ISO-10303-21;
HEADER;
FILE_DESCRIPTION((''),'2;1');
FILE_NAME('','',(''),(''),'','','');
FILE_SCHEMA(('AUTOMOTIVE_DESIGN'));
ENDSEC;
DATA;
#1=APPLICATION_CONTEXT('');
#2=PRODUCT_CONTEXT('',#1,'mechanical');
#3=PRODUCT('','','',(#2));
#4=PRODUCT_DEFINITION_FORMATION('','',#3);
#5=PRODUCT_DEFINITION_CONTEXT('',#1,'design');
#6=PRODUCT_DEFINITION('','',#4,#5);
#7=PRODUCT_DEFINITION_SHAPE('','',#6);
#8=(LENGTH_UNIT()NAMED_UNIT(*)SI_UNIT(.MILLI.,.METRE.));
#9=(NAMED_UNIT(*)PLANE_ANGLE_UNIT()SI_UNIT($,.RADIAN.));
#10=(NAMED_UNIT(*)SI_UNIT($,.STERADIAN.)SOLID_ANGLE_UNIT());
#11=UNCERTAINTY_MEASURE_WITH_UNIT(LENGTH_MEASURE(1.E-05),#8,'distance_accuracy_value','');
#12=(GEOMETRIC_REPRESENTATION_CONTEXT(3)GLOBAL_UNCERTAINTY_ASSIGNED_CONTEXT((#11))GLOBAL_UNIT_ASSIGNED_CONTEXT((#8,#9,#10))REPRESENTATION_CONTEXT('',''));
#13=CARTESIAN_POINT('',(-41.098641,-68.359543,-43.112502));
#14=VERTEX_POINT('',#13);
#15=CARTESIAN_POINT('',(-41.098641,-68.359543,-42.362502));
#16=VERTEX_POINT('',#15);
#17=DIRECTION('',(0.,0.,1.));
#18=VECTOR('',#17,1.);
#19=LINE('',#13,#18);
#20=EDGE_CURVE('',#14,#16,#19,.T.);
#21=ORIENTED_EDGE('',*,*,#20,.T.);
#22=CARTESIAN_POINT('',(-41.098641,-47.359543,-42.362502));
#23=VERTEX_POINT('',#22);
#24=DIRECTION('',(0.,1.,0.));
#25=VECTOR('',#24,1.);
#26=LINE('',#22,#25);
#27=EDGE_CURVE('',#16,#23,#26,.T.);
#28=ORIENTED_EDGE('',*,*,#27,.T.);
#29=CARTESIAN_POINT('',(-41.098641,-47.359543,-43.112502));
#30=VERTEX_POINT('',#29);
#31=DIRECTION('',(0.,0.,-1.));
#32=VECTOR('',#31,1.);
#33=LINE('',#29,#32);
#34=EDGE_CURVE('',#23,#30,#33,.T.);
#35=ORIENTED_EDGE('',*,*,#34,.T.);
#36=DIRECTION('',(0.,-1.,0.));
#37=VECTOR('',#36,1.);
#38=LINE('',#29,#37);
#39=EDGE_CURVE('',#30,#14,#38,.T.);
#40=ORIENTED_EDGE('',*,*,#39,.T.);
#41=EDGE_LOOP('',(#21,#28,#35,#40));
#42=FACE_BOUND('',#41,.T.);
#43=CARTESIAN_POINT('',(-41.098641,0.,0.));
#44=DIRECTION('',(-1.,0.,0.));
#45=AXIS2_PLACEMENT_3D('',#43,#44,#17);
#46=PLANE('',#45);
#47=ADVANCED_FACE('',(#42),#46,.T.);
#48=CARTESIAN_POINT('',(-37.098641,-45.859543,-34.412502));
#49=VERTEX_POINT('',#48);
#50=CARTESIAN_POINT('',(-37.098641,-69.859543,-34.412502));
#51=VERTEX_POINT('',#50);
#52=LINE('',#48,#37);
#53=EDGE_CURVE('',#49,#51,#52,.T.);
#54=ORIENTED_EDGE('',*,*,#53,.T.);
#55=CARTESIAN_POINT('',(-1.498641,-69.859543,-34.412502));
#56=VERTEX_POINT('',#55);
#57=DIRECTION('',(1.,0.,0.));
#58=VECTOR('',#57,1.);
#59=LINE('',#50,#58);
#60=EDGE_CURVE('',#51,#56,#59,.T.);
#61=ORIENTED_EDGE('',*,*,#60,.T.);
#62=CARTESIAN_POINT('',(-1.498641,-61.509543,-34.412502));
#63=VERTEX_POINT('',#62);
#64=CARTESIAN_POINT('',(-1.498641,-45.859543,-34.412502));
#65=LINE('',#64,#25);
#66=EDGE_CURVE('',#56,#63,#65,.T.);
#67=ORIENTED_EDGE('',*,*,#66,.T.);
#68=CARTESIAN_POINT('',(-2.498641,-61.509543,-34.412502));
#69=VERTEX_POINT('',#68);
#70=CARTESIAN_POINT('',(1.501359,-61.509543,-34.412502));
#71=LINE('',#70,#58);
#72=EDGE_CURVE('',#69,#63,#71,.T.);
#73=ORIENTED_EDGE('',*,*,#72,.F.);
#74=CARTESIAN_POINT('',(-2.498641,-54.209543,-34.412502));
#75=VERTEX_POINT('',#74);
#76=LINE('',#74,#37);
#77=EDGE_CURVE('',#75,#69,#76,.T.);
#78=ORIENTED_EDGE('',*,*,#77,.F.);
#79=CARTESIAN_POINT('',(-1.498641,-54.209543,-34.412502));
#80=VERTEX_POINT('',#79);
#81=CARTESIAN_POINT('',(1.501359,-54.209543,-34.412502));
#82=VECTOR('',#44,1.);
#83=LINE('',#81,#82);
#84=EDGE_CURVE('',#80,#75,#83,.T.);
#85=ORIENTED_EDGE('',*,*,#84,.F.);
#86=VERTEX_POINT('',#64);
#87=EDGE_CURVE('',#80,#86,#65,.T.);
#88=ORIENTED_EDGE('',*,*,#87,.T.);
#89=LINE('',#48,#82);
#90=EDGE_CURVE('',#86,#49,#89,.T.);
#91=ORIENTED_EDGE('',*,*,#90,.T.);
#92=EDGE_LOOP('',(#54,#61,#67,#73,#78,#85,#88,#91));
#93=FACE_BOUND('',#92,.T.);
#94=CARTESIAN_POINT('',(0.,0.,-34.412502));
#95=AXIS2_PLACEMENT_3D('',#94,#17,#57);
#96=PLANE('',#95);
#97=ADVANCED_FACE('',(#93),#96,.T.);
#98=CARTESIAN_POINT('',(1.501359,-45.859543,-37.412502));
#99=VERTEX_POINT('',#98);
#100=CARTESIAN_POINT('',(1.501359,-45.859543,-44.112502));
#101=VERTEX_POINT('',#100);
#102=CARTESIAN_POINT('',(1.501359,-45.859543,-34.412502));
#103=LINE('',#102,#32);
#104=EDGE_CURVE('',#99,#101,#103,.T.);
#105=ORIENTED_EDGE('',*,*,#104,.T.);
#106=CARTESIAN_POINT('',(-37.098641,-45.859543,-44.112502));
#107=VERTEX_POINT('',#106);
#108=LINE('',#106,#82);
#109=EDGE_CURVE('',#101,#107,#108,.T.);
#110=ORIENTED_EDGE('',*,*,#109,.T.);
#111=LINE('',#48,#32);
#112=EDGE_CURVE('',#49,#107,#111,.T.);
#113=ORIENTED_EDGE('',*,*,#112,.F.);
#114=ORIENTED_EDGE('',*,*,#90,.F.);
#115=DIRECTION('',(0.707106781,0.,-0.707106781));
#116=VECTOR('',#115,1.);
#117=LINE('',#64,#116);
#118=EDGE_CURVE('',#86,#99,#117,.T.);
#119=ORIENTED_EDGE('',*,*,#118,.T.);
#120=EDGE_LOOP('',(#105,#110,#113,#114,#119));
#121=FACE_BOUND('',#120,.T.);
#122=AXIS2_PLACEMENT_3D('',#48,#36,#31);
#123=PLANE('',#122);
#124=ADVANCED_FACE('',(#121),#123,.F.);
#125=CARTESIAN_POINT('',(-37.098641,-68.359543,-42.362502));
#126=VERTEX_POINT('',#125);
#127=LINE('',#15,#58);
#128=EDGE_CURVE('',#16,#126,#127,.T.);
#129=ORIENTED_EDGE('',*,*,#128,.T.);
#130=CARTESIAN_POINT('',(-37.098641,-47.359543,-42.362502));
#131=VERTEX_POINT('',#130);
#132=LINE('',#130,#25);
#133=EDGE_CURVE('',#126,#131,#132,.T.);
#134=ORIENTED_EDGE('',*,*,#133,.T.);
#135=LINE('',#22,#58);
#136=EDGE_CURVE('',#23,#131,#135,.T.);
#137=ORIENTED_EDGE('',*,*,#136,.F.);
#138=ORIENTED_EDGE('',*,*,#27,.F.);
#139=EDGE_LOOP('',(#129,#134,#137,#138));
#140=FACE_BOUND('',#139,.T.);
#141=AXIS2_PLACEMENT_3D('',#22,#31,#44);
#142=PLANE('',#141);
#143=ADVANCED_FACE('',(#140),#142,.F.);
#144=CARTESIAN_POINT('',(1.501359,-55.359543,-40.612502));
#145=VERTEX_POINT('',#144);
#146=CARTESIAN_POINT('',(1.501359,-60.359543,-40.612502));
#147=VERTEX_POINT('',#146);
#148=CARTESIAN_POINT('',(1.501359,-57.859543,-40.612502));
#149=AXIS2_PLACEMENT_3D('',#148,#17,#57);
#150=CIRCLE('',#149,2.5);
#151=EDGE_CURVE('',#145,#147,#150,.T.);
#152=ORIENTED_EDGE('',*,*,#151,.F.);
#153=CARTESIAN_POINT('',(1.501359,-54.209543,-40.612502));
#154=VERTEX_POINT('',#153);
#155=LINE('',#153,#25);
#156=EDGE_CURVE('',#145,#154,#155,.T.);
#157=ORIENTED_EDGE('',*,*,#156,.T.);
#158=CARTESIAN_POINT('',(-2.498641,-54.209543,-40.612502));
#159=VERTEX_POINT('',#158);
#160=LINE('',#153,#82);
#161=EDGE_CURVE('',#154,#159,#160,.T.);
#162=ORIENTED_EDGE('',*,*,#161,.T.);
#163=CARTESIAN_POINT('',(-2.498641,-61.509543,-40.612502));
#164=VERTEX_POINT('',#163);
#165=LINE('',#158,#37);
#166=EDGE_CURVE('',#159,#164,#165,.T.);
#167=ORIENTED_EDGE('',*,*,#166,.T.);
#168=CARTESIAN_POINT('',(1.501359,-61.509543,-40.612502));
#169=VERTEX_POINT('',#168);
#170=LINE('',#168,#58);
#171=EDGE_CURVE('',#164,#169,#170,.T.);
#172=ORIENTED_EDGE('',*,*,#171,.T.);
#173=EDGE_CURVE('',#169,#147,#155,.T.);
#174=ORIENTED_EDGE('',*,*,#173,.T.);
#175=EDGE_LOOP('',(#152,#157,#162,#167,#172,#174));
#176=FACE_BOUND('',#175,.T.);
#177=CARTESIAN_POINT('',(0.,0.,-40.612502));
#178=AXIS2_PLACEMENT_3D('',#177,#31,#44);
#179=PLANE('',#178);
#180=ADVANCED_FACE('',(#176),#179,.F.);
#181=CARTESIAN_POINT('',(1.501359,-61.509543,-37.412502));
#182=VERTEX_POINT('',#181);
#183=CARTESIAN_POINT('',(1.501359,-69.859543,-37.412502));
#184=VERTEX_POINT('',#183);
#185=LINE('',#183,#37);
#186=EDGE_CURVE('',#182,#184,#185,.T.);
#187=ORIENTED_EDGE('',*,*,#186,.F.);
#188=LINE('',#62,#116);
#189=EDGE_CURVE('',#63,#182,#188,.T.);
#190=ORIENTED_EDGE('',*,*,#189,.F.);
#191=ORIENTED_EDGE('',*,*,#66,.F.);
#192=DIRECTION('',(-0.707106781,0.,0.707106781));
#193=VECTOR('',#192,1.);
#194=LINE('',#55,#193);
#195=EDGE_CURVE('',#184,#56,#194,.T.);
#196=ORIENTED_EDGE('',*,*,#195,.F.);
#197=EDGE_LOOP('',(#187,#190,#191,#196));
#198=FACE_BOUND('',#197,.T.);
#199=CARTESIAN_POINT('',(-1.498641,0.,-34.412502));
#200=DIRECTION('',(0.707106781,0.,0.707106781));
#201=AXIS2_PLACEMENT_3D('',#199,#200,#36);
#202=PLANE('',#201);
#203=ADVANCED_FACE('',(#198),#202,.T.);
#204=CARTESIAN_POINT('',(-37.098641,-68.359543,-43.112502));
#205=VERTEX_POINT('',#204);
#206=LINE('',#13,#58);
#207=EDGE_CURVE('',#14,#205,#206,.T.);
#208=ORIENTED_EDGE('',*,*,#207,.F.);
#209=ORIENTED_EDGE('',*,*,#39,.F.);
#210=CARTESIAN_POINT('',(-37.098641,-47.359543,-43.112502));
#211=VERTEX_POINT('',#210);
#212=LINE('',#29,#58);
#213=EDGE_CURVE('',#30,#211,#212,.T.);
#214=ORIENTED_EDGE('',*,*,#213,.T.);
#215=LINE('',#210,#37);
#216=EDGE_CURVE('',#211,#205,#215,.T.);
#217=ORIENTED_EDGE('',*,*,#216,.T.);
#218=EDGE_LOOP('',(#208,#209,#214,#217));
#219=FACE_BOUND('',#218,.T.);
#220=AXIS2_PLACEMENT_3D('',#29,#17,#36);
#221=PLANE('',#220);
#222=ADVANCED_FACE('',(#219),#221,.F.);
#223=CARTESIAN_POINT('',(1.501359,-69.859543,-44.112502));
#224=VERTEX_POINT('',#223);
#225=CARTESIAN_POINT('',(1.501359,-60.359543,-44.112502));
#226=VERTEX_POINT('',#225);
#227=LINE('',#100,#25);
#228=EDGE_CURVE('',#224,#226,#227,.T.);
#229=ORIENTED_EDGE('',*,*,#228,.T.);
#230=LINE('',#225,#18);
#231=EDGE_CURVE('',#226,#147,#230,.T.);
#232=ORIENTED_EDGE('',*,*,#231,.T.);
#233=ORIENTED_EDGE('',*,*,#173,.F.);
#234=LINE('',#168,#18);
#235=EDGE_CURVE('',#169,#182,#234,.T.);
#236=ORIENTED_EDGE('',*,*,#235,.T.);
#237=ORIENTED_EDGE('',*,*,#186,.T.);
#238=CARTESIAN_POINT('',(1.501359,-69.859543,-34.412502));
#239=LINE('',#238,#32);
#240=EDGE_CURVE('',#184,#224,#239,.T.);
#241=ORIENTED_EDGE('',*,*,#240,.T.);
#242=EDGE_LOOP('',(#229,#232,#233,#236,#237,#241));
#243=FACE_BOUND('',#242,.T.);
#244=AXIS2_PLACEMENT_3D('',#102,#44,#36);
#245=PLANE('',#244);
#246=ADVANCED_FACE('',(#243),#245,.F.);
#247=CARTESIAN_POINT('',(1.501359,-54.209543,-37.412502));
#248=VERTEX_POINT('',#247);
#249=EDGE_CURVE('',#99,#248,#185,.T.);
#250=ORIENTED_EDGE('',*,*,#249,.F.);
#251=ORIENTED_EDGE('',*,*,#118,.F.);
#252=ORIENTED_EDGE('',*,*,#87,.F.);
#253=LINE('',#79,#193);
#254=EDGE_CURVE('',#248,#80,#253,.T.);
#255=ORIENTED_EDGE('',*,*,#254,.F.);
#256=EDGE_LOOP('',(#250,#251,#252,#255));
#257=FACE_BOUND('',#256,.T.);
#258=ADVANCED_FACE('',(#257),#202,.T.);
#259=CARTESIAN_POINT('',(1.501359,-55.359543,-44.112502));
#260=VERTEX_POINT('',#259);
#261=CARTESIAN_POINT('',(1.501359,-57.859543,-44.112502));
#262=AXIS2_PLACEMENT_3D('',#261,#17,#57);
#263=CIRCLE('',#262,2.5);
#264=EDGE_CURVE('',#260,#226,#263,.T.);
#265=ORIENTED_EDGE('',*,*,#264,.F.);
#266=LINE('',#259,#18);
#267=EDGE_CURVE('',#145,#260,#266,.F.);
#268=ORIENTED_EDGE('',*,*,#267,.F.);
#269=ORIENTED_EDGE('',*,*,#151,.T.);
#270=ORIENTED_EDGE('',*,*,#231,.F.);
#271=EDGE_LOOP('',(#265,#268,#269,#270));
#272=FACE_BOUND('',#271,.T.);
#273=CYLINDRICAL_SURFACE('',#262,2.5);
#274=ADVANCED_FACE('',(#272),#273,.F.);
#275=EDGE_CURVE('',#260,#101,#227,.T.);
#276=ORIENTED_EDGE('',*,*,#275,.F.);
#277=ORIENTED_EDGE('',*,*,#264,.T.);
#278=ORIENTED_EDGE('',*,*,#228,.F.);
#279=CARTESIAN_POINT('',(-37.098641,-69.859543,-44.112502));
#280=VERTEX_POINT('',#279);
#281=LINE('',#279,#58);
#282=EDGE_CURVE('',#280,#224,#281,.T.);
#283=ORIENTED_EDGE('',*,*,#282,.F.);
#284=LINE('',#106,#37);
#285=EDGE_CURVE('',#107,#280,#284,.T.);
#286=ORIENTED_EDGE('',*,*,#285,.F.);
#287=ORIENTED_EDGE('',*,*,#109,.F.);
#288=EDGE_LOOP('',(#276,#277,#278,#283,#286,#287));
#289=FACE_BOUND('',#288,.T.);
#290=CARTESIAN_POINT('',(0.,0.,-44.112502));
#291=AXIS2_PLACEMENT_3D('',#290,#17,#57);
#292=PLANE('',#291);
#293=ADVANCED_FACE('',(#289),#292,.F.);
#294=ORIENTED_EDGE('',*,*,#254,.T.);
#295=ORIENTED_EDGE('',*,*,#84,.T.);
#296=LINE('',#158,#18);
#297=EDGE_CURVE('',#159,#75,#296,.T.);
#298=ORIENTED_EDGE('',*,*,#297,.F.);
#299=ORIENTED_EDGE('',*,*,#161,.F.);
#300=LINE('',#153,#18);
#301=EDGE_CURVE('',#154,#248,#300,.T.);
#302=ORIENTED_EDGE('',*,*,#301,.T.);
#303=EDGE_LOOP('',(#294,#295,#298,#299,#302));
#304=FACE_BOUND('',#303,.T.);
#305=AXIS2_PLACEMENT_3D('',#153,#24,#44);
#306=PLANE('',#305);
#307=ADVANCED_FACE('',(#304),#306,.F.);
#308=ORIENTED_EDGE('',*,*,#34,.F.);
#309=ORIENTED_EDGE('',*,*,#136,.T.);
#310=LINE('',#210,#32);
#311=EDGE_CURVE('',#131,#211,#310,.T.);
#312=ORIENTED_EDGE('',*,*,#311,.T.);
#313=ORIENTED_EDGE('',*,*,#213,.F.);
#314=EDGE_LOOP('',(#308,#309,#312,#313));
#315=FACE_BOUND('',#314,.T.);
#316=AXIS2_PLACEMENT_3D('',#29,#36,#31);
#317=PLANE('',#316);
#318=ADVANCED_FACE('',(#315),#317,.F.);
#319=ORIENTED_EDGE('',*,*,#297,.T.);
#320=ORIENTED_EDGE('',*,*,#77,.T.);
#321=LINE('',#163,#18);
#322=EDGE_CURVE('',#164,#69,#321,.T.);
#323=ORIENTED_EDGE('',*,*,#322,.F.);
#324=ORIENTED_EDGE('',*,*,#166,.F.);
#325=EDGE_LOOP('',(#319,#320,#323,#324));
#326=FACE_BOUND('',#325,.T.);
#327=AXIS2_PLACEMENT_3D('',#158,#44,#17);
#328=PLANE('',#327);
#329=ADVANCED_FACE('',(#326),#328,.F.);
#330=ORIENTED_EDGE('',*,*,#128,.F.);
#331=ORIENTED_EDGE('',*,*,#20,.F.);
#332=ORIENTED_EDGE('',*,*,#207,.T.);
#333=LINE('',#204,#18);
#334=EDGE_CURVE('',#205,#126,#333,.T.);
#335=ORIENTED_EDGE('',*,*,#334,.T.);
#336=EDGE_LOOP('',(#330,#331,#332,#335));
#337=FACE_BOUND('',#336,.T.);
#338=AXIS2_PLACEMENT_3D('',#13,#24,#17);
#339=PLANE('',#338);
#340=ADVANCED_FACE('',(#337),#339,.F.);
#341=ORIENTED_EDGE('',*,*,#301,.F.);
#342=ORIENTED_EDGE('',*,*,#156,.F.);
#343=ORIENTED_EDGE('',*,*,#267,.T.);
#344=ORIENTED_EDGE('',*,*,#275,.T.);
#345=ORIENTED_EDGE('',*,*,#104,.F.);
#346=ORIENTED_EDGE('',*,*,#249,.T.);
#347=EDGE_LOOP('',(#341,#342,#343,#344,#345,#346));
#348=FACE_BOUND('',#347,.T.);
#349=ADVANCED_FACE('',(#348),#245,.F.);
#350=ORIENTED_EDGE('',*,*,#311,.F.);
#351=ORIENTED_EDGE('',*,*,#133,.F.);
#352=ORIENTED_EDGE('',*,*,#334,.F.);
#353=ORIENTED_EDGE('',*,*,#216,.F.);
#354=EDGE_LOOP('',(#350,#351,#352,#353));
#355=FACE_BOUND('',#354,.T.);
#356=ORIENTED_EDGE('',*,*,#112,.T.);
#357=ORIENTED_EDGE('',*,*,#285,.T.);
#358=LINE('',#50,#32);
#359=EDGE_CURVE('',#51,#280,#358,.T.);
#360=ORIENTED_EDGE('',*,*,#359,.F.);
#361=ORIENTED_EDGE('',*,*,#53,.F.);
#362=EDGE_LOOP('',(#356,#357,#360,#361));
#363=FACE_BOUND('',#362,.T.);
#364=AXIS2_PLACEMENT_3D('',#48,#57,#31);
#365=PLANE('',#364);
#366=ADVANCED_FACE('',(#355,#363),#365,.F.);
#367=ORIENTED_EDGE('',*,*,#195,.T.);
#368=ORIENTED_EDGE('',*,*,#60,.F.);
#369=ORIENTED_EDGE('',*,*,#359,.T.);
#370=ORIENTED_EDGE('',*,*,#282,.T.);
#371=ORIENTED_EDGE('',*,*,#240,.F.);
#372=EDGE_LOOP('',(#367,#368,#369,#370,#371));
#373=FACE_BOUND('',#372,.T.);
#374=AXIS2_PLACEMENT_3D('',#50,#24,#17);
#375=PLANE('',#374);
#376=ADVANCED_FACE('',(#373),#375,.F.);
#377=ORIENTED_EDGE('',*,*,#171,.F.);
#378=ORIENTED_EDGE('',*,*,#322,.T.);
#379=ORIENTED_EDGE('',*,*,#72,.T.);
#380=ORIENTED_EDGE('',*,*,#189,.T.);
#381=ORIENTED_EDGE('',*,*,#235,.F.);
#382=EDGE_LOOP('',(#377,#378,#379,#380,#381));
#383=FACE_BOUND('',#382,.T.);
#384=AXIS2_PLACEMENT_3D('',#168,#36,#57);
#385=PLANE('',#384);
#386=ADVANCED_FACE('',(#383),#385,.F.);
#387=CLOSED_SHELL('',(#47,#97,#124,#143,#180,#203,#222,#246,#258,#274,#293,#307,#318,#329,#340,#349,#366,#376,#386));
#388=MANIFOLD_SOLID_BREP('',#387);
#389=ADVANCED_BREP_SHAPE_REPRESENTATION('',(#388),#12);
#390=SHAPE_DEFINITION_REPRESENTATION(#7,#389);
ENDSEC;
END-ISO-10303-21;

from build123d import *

# Parameters (mm, degrees)
SKETCH_1_W          = 38.6
SKETCH_1_H          = 24
EXTRUDE_1_DEPTH     = 9.7
SKETCH_2_W          = 0.75
SKETCH_2_H          = 21
EXTRUDE_2_DEPTH     = 4
CHAMFER_1_SIZE      = 3
SKETCH_3_W          = 4
SKETCH_3_H          = 7.3
CUT_EXTRUDE_1_DEPTH = 6.2
SKETCH_4_R          = 2.5
CUT_EXTRUDE_2_DEPTH = 4.5


with BuildPart() as part:
    # 草图1 → 凸台-拉伸1 (new body)
    with BuildSketch(Plane(origin=(28.693608134, -23.996349429, -44.112502039), x_dir=(1, 0, 0), z_dir=(0, 0, 1))):
        with Locations((-46.492248891, -33.863193326)):
            Rectangle(SKETCH_1_W, SKETCH_1_H)
    extrude(amount=EXTRUDE_1_DEPTH)

    # 草图2 → 凸台-拉伸2 (add)
    with BuildSketch(Plane.ZY.offset(37.098640757)):
        with Locations((-42.737502039, -57.859542755)):
            Rectangle(SKETCH_2_W, SKETCH_2_H)
    extrude(amount=EXTRUDE_2_DEPTH)

    # 倒角1
    chamfer_1_edges = [part.edges().sort_by_distance(p)[0] for p in [
        (1.501359243, -57.859542755, -34.412502039),
    ]]
    chamfer(chamfer_1_edges, length=CHAMFER_1_SIZE)

    # 草图3 → 切除-拉伸1 (cut)
    with BuildSketch(Plane.XY.offset(-34.412502039)):
        with Locations((-0.498640757, -57.859542755)):
            Rectangle(SKETCH_3_W, SKETCH_3_H)
    extrude(amount=-CUT_EXTRUDE_1_DEPTH, mode=Mode.SUBTRACT)

    # 草图4 → 切除-拉伸2 (cut, through all)
    with BuildSketch(Plane.XY.offset(-40.612502039)):
        with Locations((1.501359243, -57.859542755)):
            Circle(SKETCH_4_R)
    extrude(amount=-CUT_EXTRUDE_2_DEPTH, mode=Mode.SUBTRACT)


solid = part.part
